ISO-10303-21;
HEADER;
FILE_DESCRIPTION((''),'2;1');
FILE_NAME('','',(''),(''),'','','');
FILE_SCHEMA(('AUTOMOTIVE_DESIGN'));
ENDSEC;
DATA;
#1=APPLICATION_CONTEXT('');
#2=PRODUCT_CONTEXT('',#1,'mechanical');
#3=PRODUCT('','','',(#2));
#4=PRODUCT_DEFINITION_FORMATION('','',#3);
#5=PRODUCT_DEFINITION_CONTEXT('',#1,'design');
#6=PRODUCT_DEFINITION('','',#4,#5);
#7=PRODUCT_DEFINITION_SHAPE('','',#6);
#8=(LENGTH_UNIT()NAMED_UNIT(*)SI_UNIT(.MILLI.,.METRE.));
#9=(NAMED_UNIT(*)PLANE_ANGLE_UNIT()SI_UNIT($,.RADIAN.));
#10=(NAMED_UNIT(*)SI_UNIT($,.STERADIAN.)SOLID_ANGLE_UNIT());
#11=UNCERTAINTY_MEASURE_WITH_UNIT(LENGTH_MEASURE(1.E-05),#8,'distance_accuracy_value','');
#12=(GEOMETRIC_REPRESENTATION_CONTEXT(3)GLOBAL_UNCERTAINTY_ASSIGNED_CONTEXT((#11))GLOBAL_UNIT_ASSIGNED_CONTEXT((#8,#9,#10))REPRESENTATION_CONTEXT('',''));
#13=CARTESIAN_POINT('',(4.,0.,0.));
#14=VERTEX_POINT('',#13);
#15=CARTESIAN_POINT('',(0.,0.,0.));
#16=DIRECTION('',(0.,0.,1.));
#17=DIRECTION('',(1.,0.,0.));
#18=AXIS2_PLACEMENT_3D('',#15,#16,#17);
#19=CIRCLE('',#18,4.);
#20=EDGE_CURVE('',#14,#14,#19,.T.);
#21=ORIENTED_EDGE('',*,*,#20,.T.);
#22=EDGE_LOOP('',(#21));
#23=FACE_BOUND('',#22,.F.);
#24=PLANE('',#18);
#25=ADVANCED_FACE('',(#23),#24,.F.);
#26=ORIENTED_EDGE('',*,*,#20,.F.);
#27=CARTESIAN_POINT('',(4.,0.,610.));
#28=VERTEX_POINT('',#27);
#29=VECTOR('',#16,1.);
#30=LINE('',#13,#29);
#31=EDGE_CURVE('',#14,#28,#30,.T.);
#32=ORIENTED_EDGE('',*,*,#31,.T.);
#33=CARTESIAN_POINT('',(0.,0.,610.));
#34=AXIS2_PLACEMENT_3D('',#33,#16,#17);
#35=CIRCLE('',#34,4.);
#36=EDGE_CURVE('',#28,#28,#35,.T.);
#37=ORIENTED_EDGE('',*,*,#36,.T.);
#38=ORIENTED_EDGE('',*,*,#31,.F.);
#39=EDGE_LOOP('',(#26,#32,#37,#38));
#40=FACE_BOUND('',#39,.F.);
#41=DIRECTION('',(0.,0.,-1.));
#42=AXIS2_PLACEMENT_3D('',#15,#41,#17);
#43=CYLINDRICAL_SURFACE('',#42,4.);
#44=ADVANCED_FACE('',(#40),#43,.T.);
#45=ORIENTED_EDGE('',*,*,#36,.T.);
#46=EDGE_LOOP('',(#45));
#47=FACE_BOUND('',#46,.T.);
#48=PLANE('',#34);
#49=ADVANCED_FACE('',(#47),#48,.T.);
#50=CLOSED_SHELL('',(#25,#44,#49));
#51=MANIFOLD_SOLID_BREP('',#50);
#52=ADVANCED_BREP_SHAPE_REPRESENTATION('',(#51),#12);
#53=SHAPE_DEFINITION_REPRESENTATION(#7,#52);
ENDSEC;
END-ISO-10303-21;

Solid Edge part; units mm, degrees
sketch "Sketch1" plane through (0, 0, 0) normal (0, 0, 1) x (1, 0, 0)
  circle A0 centre (0, 0) radius 4
extrude "Protrusion1" add sketch "Sketch1" along normal blind 610
properties material "Stainless steel"
